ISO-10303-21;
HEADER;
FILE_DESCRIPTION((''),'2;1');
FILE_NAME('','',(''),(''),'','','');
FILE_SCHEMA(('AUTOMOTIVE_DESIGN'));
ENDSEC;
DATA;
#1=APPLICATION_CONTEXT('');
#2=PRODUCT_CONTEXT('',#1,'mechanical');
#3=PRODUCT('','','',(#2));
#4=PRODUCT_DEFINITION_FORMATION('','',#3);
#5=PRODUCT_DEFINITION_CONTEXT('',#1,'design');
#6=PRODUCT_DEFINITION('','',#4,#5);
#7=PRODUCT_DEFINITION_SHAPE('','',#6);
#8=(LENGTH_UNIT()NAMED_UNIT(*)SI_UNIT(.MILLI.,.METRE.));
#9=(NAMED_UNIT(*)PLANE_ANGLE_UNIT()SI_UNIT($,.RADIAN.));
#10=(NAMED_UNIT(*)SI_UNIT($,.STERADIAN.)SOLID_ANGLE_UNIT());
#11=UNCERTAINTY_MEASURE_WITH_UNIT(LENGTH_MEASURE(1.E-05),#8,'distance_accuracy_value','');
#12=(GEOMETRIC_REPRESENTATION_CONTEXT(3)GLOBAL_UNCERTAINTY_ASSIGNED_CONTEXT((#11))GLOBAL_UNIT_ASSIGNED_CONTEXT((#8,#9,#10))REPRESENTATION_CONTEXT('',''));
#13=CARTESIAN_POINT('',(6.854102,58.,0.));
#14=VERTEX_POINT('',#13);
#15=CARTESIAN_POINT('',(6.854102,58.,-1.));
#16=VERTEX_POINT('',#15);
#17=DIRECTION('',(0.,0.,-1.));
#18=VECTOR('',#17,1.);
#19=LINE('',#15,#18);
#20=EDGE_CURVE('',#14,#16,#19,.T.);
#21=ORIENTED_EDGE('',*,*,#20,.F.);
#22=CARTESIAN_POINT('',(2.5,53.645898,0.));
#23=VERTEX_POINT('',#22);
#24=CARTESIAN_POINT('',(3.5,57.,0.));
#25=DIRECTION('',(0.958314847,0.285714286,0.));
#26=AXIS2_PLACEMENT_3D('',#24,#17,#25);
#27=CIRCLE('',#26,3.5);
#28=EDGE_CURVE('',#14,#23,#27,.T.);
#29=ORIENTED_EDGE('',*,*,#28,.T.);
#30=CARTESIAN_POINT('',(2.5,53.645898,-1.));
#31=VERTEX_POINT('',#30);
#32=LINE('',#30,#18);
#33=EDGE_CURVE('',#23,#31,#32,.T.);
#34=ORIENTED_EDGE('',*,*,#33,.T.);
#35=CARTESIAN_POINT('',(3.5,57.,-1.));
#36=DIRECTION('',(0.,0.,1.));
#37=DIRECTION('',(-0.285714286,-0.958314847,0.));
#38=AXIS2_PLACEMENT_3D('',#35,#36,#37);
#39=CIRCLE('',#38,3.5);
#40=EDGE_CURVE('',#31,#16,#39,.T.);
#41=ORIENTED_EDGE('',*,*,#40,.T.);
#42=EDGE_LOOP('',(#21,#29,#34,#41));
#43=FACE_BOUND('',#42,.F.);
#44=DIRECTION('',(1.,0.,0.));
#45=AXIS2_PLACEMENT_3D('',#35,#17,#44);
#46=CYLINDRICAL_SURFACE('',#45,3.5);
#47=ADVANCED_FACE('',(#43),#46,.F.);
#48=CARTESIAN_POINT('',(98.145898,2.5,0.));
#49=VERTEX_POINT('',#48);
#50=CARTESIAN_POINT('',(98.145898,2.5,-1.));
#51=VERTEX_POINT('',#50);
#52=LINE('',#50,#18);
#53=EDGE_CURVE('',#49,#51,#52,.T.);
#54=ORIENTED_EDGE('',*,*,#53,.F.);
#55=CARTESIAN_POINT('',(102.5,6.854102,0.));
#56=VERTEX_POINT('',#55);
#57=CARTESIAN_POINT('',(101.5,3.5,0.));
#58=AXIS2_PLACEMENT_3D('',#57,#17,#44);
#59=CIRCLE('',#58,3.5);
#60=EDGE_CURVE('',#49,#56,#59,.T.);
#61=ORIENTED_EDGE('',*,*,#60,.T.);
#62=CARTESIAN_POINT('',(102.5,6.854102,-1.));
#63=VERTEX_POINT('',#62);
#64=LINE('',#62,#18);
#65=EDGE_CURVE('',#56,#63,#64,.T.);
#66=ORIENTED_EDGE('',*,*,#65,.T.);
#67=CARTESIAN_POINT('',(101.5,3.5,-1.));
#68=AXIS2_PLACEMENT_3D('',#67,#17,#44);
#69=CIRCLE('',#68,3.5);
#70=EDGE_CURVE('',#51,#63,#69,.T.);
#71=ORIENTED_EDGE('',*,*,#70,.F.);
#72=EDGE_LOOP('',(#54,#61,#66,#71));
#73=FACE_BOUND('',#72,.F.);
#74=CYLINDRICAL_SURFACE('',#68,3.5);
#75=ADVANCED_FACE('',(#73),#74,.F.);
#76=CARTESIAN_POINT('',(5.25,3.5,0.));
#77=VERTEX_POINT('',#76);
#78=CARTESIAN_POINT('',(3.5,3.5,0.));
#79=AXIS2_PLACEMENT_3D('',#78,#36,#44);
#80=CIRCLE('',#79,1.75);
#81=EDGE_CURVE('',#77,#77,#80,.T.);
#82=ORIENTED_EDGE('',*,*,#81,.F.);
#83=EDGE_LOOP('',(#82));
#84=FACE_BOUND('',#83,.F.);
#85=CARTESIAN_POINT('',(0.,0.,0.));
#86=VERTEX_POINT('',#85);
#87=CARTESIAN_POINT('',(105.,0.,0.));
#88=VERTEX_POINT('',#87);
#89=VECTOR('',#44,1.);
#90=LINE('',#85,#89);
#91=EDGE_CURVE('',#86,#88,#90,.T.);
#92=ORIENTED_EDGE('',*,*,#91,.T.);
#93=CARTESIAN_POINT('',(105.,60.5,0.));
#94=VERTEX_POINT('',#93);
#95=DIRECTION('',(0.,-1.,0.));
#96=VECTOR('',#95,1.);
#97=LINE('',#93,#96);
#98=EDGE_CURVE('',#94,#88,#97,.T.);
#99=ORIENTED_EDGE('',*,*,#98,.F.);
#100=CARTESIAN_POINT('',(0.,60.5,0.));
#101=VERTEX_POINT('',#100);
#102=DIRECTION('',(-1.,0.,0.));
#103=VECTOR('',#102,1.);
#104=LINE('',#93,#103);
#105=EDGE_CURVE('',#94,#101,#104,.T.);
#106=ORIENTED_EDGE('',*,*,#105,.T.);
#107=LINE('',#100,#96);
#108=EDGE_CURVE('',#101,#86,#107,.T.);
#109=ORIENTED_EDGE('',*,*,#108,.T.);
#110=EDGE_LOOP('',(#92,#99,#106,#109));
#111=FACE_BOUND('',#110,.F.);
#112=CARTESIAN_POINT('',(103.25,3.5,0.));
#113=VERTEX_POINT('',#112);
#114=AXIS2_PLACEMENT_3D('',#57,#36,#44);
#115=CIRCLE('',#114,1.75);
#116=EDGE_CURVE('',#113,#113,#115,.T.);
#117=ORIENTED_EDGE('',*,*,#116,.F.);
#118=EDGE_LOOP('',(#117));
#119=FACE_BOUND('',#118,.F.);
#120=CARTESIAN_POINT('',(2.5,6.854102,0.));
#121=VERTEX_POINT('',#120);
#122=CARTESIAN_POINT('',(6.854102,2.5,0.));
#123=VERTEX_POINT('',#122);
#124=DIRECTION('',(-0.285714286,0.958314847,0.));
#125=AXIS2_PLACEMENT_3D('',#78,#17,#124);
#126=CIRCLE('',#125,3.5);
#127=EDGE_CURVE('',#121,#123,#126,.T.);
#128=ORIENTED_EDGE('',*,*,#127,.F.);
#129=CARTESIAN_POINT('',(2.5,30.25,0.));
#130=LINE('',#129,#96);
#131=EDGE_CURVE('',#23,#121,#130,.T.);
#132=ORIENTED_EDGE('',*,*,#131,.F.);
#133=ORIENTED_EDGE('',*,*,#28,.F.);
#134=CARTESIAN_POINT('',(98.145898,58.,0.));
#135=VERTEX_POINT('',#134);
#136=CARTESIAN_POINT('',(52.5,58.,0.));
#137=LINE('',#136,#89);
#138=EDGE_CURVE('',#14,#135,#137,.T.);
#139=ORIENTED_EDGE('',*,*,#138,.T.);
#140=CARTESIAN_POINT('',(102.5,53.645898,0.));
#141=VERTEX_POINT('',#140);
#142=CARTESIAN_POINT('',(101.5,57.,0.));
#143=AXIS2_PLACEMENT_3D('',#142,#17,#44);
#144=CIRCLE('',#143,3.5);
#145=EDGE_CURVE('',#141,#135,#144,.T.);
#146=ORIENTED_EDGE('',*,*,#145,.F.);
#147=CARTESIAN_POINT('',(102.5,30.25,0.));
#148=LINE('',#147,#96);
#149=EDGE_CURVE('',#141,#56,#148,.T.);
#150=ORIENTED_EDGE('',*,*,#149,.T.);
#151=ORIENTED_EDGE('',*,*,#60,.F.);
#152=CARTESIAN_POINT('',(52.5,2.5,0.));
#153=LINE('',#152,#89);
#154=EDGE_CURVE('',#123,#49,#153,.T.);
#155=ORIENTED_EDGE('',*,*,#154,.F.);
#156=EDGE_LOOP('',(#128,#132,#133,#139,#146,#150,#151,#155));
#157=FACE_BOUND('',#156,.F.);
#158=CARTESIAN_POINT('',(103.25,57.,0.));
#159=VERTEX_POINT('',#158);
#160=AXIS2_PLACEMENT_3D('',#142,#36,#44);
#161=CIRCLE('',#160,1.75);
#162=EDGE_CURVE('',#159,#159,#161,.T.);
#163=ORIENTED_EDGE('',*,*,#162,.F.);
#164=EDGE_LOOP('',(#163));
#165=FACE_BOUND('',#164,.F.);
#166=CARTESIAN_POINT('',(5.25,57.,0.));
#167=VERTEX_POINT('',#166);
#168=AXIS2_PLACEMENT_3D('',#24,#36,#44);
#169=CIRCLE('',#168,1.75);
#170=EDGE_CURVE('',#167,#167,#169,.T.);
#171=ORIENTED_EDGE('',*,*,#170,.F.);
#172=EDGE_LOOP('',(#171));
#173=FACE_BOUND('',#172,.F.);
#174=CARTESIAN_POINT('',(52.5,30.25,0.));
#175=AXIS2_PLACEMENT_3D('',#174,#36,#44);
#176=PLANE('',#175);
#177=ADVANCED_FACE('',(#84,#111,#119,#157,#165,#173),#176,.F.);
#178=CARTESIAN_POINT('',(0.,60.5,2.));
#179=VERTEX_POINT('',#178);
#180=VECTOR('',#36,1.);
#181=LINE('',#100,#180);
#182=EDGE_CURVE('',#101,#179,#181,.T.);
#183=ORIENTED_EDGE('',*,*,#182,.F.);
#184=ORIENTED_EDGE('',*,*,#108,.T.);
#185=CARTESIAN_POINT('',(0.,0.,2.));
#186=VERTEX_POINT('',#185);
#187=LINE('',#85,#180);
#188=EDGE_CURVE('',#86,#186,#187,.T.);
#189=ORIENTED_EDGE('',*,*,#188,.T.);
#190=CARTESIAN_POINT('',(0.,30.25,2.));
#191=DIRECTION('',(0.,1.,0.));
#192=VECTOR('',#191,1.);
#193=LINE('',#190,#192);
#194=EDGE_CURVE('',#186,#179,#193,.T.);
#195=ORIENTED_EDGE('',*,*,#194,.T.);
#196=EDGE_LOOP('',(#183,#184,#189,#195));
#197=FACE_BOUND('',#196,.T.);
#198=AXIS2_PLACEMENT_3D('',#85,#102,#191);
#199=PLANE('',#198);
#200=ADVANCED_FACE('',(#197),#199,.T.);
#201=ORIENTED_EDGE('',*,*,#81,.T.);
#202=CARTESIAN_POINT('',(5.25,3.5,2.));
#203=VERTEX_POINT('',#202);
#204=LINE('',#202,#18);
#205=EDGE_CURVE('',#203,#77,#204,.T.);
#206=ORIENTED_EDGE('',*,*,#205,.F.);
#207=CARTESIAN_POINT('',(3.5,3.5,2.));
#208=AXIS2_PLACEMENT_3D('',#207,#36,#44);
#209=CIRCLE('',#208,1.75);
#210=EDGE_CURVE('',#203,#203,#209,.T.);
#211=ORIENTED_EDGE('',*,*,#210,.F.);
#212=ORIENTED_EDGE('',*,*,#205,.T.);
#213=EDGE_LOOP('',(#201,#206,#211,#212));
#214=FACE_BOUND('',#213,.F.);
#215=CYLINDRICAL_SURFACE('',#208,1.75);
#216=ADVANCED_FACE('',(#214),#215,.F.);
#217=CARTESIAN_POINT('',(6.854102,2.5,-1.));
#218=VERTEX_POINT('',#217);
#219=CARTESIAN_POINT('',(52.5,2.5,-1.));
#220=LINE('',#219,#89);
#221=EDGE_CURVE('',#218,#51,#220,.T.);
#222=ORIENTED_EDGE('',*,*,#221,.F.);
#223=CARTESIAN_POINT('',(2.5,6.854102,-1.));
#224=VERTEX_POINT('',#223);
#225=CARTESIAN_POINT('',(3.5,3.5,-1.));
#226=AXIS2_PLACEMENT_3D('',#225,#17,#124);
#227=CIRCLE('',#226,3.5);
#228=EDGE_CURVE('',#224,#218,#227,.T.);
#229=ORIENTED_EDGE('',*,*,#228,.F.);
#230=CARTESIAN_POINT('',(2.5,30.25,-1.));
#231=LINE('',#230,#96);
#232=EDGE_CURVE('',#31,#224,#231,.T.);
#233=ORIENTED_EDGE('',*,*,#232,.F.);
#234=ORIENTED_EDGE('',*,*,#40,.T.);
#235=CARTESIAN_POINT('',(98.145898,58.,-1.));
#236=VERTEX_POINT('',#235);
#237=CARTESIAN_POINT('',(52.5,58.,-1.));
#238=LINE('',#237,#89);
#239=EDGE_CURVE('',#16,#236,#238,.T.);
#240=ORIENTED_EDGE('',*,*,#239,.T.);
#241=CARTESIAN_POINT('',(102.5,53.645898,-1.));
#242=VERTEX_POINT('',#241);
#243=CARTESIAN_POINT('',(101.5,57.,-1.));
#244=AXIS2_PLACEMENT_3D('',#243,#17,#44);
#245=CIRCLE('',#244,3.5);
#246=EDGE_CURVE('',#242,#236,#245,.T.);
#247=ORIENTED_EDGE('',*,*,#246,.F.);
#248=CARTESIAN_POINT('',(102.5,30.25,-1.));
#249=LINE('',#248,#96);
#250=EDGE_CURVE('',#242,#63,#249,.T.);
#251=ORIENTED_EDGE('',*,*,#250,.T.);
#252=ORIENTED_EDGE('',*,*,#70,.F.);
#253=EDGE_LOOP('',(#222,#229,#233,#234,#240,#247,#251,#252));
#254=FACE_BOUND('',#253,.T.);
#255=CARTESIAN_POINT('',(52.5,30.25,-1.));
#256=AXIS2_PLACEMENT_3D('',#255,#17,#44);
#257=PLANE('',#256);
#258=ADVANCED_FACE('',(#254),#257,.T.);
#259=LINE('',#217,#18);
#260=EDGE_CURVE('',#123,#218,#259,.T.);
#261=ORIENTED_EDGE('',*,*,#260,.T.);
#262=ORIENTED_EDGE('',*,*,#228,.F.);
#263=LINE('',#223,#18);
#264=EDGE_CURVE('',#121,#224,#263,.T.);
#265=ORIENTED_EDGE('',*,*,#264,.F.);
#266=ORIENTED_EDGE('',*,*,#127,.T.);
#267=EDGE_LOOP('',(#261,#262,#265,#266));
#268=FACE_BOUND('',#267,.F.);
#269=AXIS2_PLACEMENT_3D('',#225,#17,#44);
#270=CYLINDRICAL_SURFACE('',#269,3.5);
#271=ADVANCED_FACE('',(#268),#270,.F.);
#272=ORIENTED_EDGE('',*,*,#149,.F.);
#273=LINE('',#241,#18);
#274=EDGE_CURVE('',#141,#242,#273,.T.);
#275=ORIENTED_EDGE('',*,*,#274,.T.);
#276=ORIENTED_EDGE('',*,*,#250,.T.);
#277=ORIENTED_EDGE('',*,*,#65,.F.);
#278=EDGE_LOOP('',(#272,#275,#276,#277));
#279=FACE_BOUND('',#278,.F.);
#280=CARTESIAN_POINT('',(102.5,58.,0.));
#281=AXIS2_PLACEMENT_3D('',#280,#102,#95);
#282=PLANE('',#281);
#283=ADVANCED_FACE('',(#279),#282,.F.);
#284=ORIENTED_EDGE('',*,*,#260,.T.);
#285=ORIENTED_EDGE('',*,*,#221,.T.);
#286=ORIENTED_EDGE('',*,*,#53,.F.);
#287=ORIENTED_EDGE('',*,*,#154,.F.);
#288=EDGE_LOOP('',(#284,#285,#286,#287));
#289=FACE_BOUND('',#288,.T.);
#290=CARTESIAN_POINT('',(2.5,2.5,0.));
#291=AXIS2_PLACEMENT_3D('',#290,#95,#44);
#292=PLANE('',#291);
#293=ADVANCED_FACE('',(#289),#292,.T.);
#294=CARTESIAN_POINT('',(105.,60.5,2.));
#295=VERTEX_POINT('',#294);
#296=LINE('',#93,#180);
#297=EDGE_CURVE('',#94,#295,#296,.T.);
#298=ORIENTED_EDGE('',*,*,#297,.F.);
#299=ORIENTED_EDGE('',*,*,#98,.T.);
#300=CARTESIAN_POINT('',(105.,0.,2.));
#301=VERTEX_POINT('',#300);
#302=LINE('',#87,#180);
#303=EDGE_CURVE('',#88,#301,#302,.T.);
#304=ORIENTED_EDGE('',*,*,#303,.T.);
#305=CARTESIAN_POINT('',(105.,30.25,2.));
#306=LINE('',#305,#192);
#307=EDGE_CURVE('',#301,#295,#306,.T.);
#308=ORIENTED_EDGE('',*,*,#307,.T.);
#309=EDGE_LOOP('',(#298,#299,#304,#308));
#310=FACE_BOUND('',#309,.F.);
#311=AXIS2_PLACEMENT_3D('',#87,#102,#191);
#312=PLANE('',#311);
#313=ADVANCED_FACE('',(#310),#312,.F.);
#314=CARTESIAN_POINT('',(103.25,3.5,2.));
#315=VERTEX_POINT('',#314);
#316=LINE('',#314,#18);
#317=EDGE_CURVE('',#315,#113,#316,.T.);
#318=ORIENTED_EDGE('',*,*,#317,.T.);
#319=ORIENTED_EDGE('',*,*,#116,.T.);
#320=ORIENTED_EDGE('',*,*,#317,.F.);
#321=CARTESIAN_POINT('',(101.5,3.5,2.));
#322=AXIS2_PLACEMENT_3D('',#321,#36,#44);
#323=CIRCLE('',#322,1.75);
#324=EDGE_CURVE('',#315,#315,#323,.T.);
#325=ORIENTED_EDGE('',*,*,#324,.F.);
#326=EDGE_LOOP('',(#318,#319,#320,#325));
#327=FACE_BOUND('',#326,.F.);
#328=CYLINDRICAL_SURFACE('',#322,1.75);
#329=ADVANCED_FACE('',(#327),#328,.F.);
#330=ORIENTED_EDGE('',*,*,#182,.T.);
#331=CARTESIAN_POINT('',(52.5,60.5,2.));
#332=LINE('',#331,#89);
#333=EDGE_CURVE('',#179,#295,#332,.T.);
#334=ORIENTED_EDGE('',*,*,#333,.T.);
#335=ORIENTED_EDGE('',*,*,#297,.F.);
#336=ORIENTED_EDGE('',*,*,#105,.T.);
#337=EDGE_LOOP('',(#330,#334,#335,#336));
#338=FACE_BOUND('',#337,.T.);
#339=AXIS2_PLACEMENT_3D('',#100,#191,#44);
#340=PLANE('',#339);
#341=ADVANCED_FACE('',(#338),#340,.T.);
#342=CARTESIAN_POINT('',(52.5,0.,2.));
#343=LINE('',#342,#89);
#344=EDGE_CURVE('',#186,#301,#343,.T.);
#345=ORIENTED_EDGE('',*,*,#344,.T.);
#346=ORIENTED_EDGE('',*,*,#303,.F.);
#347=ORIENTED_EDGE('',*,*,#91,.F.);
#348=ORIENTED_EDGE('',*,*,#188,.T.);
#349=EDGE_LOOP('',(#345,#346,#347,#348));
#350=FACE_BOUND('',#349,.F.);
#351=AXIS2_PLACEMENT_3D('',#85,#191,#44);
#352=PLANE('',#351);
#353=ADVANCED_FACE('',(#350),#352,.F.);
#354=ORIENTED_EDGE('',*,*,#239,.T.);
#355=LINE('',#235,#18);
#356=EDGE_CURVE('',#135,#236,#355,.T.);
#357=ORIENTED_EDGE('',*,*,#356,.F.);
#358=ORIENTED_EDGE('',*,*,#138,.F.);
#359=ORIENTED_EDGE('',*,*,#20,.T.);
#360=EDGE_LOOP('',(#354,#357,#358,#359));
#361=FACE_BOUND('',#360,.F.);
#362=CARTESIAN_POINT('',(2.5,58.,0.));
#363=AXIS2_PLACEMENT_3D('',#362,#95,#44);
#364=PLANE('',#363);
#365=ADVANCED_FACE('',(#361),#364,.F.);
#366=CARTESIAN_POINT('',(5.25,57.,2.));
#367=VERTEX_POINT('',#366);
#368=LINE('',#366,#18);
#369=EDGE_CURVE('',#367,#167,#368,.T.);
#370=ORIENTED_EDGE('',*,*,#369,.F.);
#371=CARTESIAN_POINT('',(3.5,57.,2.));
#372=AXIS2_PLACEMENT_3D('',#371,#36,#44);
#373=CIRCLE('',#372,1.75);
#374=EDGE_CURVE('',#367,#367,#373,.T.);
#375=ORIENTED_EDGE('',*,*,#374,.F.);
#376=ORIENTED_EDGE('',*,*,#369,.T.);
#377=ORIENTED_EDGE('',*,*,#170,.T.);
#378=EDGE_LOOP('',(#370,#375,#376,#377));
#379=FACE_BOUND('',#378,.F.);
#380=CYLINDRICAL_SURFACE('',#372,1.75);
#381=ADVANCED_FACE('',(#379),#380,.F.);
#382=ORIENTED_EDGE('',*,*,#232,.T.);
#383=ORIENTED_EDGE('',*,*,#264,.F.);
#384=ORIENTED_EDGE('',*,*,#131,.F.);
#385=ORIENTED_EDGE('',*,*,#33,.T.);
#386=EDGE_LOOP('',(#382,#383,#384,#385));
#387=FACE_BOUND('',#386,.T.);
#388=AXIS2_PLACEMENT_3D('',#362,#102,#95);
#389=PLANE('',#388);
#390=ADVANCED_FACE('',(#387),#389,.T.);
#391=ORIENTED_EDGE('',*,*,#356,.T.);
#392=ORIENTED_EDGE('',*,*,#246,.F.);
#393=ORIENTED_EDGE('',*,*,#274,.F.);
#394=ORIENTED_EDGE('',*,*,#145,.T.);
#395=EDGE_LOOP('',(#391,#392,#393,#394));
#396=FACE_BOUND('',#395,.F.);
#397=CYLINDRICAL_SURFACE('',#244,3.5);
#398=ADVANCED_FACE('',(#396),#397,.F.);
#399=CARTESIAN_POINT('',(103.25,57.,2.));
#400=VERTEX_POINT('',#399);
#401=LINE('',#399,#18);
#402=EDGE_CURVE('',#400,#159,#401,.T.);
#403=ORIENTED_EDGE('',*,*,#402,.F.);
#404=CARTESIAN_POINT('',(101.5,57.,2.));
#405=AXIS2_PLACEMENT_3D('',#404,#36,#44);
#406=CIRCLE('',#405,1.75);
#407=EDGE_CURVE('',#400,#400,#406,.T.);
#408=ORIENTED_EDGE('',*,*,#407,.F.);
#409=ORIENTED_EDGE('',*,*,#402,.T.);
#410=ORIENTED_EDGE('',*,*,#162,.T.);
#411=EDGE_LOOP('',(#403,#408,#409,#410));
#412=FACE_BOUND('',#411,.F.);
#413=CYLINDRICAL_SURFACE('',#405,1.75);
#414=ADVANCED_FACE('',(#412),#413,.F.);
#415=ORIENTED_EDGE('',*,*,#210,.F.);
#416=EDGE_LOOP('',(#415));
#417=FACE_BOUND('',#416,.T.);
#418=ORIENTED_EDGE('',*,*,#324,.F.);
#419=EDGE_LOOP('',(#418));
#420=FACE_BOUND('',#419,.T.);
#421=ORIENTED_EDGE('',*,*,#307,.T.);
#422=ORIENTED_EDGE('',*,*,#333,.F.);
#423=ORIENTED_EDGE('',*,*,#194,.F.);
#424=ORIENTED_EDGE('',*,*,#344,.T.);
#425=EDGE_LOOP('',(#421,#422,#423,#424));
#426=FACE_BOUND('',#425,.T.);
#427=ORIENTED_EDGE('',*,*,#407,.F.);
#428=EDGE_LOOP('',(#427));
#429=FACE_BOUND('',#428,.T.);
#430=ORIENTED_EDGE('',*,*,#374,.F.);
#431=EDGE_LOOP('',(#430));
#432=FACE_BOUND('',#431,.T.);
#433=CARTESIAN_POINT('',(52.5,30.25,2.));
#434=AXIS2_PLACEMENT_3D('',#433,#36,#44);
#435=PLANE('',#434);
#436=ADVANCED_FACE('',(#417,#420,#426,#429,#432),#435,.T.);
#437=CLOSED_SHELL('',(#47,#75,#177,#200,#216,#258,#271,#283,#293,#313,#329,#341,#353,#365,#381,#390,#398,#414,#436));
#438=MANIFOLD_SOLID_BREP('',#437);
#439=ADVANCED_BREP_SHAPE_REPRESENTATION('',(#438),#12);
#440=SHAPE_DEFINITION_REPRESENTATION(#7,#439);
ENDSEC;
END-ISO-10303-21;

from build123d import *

# Parameters (mm, degrees)
SKETCH_W        = 105
SKETCH_H        = 60.5
PAD_DEPTH       = 2
SKETCH001_W     = 100
SKETCH001_H     = 55.5
PAD001_DEPTH    = 1
SKETCH002_R     = 3.5
POCKET_DEPTH    = 1
SKETCH003_R     = 1.75
POCKET001_DEPTH = 3.001


with BuildPart() as part:
    # Sketch → Pad (new body)
    with BuildSketch(Plane.XY):
        with Locations((52.5, 30.25)):
            Rectangle(SKETCH_W, SKETCH_H)
    extrude(amount=PAD_DEPTH)

    # Sketch001 → Pad001 (new body)
    with BuildSketch(Plane(origin=(0, 0, 0), x_dir=(1, 0, 0), z_dir=(0, 0, -1))):
        with Locations((52.5, -30.25)):
            Rectangle(SKETCH001_W, SKETCH001_H)
    extrude(amount=PAD001_DEPTH)

    # Sketch002 → Pocket (cut)
    with BuildSketch(Plane(origin=(0, 0, -1), x_dir=(1, 0, 0), z_dir=(0, 0, -1))):
        with Locations((3.5, -3.5)):
            Circle(SKETCH002_R)
        with Locations((3.5, -57)):
            Circle(SKETCH002_R)
        with Locations((101.5, -3.5)):
            Circle(SKETCH002_R)
        with Locations((101.5, -57)):
            Circle(SKETCH002_R)
    extrude(amount=-POCKET_DEPTH, mode=Mode.SUBTRACT)

    # Sketch003 → Pocket001 (cut, through all)
    with BuildSketch(Plane.XY.offset(2)):
        with Locations((3.5, 57)):
            Circle(SKETCH003_R)
        with Locations((101.5, 57)):
            Circle(SKETCH003_R)
        with Locations((3.5, 3.5)):
            Circle(SKETCH003_R)
        with Locations((101.5, 3.5)):
            Circle(SKETCH003_R)
    extrude(amount=-POCKET001_DEPTH, mode=Mode.SUBTRACT)


solid = part.part
